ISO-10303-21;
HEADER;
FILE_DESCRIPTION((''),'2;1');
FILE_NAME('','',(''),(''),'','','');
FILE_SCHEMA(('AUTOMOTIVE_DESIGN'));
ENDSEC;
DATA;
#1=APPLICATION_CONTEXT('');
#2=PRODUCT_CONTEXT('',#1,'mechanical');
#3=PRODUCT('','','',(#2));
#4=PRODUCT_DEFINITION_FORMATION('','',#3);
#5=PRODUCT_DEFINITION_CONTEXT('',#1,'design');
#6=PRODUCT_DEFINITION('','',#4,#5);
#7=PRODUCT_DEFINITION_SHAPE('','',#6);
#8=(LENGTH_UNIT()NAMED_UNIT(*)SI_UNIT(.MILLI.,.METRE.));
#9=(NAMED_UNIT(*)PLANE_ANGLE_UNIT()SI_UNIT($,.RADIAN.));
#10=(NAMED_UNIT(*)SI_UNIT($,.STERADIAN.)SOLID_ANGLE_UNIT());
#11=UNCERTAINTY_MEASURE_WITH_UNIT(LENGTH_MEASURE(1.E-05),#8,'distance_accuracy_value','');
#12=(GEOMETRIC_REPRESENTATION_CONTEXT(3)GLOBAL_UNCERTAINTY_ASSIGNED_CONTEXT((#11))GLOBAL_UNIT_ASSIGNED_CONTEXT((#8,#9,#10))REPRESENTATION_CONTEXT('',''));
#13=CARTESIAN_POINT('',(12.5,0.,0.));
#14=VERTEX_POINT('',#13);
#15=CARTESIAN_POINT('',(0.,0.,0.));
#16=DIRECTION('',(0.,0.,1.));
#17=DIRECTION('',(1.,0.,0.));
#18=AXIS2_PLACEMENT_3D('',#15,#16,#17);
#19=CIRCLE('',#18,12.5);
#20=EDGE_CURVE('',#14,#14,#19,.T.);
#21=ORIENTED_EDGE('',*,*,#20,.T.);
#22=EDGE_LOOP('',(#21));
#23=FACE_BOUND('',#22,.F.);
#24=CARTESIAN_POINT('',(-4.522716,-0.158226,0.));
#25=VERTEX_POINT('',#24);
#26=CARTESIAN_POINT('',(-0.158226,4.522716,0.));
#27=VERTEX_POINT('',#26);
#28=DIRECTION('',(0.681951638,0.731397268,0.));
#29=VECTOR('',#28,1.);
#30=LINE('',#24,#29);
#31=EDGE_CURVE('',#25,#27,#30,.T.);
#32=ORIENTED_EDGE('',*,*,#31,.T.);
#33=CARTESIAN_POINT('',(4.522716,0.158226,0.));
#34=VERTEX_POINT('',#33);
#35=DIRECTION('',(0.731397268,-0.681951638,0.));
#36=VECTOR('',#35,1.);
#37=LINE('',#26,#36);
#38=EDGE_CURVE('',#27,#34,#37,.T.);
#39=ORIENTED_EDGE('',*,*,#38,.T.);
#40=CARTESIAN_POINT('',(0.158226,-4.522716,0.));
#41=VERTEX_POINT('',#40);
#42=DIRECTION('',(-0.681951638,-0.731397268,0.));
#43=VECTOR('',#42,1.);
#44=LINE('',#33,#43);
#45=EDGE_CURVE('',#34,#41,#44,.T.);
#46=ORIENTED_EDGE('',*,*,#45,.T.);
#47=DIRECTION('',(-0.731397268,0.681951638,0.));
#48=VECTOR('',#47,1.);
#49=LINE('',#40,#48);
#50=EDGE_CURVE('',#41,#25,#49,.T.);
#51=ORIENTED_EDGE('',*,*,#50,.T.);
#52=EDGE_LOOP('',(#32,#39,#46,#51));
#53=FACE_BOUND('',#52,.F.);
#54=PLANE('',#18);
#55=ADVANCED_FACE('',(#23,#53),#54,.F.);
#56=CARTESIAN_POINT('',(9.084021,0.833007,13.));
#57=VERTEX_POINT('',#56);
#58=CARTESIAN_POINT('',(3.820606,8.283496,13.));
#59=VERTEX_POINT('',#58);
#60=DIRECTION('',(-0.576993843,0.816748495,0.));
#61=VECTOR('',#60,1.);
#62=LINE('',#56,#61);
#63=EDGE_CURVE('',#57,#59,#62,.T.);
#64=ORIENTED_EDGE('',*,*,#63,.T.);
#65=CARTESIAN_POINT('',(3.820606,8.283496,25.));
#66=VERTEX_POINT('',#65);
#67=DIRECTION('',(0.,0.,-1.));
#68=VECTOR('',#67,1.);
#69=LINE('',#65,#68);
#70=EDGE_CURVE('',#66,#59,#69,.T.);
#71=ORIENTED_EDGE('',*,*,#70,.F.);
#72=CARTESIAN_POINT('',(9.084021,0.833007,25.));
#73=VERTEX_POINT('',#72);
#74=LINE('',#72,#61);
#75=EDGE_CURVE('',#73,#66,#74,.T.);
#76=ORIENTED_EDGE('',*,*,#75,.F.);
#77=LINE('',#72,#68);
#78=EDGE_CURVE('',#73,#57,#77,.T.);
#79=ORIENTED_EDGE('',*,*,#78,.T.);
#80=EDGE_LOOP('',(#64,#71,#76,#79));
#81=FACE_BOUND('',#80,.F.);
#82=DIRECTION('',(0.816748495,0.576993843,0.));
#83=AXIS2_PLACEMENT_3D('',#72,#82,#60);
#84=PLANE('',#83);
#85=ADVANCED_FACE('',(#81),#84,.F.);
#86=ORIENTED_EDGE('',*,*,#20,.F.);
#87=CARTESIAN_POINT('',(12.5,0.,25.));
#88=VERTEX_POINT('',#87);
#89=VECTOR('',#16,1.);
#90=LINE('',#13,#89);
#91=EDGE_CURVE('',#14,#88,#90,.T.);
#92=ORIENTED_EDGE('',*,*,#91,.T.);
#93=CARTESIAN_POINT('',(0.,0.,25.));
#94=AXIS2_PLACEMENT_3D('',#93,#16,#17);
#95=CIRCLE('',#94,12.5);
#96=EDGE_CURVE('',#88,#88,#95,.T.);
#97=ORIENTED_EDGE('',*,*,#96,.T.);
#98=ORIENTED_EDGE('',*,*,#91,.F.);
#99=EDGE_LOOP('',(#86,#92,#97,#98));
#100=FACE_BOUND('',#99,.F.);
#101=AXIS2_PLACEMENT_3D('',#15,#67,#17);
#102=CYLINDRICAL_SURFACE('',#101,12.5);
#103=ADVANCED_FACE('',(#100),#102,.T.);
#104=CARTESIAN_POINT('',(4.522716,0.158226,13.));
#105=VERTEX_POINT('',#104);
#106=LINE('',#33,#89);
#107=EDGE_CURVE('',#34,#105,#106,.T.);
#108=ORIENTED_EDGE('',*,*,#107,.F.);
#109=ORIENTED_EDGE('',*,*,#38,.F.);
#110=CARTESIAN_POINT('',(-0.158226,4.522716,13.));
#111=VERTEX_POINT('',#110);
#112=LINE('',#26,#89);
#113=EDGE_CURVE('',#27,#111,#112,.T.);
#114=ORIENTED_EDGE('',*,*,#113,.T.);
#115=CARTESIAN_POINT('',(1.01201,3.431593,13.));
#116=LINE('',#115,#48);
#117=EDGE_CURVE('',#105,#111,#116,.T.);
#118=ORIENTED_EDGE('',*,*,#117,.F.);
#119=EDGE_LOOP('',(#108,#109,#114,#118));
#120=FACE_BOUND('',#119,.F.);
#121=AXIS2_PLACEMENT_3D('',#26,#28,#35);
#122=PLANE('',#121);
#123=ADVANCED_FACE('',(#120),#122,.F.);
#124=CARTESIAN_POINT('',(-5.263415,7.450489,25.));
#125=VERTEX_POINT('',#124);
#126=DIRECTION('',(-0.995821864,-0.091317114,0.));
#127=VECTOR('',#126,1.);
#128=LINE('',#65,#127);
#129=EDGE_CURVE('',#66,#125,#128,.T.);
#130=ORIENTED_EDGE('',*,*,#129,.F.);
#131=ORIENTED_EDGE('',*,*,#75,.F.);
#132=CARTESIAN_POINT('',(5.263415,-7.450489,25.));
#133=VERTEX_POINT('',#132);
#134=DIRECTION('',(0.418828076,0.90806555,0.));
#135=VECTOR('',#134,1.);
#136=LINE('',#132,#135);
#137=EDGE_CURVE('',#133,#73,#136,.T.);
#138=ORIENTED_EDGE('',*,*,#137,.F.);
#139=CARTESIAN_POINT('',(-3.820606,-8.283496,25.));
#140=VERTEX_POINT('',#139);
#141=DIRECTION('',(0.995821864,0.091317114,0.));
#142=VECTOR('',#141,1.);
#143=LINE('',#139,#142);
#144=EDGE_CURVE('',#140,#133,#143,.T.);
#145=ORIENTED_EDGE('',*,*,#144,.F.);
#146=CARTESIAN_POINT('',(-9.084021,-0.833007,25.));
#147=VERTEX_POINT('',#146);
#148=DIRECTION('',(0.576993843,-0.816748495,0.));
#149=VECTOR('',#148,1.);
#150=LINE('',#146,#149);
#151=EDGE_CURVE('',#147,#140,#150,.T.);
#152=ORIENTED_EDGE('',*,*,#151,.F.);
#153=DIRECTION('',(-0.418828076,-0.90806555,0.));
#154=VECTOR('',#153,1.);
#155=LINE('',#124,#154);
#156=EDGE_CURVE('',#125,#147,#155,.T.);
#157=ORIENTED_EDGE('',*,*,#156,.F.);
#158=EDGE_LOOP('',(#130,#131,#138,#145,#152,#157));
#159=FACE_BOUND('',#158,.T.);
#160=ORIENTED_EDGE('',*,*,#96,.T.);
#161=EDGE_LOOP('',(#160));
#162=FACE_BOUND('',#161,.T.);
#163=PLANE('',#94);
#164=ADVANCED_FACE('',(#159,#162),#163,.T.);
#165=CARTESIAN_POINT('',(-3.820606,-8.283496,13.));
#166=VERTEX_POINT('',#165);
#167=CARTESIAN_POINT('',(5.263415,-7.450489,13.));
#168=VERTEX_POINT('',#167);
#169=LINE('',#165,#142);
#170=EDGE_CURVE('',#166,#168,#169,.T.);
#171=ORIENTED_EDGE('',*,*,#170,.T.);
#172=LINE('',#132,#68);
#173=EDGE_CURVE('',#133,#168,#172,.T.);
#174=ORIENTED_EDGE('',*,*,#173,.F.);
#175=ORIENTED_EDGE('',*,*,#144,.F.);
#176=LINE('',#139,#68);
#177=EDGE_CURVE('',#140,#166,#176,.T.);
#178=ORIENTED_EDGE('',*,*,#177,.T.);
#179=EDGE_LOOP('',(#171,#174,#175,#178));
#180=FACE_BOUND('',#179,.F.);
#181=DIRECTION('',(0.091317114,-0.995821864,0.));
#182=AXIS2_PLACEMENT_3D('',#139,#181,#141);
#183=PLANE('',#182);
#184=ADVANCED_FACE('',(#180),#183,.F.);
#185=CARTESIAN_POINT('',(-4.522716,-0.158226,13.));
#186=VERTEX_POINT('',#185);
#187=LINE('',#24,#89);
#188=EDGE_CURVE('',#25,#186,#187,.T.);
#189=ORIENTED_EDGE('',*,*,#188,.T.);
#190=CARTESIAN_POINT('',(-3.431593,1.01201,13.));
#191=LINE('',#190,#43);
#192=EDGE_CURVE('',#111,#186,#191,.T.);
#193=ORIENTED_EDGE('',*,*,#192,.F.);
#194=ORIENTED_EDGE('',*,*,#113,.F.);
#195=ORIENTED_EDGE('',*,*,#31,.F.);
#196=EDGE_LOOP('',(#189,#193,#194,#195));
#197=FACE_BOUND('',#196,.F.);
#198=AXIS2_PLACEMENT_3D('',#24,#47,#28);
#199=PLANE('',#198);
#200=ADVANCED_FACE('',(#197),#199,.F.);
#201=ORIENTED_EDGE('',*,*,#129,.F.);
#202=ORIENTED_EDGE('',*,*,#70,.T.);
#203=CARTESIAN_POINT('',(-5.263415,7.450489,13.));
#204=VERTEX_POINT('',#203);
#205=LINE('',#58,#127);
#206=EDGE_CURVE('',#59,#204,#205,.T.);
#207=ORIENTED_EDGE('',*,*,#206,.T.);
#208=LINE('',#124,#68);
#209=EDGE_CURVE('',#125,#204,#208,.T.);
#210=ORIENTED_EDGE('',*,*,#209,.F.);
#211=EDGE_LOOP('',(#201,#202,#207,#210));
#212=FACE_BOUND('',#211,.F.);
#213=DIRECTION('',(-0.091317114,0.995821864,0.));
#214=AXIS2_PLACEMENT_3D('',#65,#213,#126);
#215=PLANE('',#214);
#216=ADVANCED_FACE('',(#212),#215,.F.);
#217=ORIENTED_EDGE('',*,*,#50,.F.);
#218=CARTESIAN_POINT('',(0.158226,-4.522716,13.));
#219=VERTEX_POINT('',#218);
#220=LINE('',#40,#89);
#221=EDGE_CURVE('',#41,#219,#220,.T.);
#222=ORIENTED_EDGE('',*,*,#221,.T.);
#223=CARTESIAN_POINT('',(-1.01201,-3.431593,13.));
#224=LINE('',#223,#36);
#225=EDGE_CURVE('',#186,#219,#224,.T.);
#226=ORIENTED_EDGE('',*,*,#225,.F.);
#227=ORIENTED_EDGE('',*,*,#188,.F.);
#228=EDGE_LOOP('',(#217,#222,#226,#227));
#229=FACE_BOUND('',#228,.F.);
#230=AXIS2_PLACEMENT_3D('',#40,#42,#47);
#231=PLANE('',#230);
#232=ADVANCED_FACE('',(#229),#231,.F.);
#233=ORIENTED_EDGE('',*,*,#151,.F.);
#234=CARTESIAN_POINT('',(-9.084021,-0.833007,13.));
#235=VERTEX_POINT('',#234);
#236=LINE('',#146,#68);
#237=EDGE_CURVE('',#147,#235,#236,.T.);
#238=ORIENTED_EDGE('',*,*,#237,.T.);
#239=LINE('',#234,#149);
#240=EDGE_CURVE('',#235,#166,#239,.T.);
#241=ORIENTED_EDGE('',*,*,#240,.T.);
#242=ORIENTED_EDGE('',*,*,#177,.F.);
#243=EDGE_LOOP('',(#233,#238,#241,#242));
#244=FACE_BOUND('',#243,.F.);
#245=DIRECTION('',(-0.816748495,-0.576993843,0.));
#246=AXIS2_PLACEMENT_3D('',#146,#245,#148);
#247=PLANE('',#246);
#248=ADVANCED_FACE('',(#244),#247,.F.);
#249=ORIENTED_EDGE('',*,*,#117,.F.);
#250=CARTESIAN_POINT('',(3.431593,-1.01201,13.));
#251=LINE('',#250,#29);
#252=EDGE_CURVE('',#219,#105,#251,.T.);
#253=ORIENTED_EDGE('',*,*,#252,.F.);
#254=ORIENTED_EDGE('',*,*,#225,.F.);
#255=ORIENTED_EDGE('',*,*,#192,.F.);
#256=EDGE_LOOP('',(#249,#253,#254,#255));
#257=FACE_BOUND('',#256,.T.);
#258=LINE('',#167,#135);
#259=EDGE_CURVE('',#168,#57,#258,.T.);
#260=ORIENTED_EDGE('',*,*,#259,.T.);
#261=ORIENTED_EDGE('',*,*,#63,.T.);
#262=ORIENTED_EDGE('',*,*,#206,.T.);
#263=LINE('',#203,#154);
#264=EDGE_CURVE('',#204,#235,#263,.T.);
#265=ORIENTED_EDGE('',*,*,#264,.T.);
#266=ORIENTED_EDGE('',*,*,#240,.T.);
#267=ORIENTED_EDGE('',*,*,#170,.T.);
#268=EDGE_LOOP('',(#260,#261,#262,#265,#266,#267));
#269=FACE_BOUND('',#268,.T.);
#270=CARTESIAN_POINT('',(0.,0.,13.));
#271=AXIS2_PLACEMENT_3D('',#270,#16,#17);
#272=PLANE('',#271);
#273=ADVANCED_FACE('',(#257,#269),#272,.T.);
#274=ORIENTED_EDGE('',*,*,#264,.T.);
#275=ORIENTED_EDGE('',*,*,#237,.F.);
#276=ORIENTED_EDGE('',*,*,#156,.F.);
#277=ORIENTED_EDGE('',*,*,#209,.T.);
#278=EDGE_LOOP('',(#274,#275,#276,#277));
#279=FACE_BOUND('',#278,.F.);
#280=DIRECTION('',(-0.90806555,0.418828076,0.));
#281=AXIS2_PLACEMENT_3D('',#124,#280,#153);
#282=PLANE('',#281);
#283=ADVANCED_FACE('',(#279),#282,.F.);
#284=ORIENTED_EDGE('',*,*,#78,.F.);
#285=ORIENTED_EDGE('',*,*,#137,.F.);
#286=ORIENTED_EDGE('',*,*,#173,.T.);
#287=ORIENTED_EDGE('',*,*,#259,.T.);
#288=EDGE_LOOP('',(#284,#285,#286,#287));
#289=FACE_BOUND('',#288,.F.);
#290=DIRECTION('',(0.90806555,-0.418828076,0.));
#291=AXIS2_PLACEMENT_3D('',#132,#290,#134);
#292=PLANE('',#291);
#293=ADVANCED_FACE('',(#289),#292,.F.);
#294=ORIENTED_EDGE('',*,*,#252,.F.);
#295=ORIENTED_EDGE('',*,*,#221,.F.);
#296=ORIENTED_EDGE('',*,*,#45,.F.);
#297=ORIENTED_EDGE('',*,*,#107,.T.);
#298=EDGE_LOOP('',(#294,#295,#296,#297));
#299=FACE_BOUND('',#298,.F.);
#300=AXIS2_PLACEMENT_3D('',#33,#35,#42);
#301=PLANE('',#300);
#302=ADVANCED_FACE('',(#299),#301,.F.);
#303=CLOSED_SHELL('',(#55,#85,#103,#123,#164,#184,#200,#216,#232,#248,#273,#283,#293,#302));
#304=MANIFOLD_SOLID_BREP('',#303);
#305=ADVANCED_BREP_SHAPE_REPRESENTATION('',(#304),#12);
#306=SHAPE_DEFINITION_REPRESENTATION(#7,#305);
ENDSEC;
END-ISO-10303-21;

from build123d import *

# Parameters (mm, degrees)
F0_R     = 12.5
F1_DEPTH = 25
F3_DEPTH = 12
F5_DEPTH = 25


with BuildPart() as f1:
    # F0 (on Top) → F1 (new body)
    with BuildSketch(Plane.XY):
        Circle(F0_R)
    extrude(amount=F1_DEPTH)

    # F2 (on face) → F3 (cut)
    with BuildSketch(Plane.XY.offset(25)):
        Polygon((-9.084021, -0.833007), (-3.820606, -8.283496), (5.263415, -7.450489), (9.084021, 0.833007), (3.820606, 8.283496), (-5.263415, 7.450489), align=None)
    extrude(amount=-F3_DEPTH, mode=Mode.SUBTRACT)

    # F4 (on face) → F5 (cut)
    with BuildSketch(Plane(origin=(0, 0, 0), x_dir=(1, 0, 0), z_dir=(0, 0, -1))):
        Polygon((0.158226, 4.522716), (-4.522716, 0.158226), (-0.158226, -4.522716), (4.522716, -0.158226), align=None)
    extrude(amount=-F5_DEPTH, mode=Mode.SUBTRACT)


solid = f1.part
